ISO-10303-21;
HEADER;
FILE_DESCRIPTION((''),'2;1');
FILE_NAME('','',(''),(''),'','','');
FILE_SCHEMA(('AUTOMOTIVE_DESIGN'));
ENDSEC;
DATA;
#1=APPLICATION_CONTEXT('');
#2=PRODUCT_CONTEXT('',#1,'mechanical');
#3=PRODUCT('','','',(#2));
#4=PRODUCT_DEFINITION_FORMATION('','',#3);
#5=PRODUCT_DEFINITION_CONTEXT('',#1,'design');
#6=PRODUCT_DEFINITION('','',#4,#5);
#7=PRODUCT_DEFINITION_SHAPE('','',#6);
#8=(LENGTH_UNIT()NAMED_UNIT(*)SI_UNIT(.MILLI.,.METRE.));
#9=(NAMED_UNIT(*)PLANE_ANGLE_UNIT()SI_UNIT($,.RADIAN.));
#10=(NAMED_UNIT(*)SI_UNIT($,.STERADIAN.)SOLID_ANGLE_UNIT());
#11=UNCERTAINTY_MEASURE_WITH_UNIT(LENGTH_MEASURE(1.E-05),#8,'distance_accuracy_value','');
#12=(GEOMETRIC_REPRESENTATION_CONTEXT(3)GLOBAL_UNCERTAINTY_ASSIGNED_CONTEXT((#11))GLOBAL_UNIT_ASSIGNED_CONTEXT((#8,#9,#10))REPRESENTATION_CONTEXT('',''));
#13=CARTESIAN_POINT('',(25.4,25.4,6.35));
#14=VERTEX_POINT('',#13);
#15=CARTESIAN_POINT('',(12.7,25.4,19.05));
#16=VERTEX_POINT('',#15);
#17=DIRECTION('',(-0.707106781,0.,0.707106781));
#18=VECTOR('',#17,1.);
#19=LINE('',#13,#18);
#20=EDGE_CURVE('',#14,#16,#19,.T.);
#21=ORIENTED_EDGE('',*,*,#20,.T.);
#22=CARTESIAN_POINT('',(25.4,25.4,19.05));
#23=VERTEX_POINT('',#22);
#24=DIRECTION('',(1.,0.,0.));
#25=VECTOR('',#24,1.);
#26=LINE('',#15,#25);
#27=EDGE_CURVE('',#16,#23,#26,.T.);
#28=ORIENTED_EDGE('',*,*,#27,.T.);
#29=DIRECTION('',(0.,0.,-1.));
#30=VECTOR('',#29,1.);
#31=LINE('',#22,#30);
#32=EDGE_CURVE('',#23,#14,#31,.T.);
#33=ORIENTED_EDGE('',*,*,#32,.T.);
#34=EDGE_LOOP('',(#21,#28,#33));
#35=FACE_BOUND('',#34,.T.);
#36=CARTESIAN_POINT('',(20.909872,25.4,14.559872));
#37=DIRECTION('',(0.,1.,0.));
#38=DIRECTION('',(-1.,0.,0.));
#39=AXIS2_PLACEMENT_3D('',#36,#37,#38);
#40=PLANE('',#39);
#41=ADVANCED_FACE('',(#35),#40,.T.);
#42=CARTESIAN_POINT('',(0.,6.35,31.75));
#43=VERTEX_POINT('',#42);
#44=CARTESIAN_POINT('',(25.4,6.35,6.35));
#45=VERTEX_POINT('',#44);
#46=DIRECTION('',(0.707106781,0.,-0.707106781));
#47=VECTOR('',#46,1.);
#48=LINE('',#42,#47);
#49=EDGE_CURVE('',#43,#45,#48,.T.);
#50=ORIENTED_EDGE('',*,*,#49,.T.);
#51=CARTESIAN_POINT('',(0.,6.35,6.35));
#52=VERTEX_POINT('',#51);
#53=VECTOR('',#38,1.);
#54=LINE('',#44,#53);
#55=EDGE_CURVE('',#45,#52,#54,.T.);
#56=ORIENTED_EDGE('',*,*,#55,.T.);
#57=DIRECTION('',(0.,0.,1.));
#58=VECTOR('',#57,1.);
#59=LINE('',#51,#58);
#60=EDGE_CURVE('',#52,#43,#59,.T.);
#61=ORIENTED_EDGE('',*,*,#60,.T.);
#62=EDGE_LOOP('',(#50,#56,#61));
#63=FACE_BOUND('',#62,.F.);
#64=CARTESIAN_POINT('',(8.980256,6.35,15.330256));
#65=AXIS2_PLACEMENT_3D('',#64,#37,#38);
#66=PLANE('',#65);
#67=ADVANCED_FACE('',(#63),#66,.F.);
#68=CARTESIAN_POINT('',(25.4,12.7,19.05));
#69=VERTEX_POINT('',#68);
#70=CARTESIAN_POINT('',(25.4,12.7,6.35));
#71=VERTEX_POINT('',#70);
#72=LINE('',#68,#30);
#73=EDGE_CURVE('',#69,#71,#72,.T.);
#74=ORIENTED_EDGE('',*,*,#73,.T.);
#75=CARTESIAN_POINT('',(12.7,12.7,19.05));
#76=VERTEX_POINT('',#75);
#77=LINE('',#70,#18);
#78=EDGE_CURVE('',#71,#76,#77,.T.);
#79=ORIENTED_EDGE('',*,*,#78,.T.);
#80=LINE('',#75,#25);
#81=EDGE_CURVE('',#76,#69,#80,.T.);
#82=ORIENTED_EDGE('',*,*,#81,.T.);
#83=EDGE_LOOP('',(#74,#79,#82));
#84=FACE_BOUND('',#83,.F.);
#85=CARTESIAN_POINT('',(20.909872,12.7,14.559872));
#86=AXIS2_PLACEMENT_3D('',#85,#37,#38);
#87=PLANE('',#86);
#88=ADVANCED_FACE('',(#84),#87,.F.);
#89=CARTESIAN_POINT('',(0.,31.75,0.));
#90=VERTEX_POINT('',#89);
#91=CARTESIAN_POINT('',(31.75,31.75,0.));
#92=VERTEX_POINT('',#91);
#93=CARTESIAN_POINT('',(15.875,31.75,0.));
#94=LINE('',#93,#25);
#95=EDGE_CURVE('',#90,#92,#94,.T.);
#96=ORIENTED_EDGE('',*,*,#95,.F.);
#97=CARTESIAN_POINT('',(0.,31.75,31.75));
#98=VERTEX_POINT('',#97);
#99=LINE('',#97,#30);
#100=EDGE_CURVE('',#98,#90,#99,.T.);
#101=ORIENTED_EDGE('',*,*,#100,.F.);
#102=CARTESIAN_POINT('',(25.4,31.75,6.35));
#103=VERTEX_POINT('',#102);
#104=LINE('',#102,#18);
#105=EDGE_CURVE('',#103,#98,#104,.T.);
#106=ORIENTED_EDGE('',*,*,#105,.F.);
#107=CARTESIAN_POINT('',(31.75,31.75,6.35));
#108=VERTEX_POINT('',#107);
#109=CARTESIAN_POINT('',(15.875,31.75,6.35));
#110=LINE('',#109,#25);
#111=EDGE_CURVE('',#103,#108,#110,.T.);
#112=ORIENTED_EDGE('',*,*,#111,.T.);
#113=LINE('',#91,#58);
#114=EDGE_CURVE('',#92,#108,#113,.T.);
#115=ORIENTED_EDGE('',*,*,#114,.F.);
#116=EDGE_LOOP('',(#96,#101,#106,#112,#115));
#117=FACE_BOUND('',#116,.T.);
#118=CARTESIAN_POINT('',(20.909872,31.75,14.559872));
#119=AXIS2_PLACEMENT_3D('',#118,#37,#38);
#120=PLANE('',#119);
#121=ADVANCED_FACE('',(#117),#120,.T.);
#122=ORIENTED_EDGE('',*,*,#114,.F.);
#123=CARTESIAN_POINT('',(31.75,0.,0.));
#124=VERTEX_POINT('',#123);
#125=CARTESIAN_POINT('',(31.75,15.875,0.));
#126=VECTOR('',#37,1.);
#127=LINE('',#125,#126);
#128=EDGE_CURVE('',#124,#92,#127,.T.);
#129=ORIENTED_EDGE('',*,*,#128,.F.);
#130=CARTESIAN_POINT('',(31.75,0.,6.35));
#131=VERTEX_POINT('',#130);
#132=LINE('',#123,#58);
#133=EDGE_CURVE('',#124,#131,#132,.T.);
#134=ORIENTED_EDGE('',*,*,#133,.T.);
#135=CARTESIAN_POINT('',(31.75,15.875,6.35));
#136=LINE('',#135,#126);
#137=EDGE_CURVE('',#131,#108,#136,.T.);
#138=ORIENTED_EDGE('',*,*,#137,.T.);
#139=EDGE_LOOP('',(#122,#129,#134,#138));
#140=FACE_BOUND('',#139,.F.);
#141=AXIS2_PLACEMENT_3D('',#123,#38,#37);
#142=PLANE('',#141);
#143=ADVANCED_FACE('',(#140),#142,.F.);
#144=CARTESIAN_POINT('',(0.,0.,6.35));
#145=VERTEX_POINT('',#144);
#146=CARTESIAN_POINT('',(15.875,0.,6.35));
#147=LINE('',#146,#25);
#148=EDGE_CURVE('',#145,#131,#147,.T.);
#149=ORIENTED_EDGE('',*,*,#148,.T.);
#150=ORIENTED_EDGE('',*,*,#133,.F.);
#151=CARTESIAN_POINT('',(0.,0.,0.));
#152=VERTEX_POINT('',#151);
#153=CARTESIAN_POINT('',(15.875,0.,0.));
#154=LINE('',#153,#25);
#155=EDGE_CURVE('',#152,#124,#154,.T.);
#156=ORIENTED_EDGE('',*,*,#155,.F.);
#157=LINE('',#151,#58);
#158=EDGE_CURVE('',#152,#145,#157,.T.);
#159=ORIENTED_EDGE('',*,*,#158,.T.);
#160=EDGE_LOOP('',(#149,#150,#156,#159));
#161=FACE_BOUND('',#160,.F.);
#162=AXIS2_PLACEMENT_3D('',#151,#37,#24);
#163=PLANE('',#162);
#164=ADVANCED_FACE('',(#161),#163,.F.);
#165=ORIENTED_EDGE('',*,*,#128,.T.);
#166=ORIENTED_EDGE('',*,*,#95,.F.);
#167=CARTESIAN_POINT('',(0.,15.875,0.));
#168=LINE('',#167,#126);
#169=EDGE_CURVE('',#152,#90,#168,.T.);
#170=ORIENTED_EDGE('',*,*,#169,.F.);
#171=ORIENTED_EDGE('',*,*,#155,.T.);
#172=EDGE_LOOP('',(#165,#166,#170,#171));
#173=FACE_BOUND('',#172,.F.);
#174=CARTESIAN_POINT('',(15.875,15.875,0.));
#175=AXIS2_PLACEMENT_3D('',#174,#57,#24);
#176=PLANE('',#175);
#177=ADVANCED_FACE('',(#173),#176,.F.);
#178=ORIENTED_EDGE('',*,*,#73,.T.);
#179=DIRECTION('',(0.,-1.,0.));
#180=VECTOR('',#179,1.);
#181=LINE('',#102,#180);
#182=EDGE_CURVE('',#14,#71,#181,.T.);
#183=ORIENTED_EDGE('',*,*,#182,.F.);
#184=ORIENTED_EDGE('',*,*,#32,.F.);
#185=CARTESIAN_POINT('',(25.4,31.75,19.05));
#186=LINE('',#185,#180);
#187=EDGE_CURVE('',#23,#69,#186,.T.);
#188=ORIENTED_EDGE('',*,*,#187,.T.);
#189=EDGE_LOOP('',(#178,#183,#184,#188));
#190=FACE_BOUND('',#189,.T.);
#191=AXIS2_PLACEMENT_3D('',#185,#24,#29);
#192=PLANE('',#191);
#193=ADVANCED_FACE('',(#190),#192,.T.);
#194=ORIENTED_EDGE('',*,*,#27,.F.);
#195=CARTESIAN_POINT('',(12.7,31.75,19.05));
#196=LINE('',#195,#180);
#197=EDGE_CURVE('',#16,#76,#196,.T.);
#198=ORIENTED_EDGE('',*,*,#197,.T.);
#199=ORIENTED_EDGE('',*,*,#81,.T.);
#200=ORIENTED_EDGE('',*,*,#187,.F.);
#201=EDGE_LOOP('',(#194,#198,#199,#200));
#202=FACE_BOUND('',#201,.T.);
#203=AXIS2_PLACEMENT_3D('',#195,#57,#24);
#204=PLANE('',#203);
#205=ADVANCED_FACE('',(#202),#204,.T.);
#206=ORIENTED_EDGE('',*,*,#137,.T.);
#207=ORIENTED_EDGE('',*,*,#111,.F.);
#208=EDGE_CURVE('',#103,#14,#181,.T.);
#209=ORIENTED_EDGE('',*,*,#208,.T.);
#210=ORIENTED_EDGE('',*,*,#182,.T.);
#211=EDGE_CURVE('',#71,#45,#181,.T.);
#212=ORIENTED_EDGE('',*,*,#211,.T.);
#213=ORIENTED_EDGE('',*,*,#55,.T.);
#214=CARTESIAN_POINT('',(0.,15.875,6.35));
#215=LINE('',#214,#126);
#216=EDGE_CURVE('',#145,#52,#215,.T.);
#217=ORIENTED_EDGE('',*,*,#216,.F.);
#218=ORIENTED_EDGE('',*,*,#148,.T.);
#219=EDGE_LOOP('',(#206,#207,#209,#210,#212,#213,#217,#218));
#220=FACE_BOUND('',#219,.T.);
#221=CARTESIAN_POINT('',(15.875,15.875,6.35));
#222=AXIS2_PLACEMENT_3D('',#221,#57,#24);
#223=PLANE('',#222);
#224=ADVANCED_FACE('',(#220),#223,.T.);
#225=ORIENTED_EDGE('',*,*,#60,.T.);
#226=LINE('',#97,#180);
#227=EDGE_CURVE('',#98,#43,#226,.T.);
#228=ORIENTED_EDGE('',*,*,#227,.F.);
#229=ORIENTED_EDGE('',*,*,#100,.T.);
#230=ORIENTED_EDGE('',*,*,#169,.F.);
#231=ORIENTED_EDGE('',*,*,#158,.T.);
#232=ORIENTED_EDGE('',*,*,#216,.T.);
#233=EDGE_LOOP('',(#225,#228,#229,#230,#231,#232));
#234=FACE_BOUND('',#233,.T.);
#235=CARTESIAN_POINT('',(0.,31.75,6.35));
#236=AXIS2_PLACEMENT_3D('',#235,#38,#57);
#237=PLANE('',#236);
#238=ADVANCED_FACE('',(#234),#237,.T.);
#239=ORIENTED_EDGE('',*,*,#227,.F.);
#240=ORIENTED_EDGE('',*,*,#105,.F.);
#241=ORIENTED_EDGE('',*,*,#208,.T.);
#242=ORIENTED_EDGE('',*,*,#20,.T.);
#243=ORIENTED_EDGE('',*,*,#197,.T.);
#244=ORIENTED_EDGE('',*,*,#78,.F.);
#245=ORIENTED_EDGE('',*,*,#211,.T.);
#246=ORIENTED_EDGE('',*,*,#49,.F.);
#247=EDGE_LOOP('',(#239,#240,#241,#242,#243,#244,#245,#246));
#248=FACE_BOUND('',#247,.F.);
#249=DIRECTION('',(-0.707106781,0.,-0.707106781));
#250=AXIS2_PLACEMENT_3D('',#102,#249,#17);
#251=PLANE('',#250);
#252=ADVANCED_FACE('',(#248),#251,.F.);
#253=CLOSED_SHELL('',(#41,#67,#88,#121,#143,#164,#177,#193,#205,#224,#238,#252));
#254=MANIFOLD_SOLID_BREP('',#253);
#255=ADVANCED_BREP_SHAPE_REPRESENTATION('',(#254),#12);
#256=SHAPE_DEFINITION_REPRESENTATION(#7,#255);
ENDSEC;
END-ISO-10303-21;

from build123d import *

# Parameters (mm, degrees)
F0_W     = 31.75
F0_H     = 31.75
F1_DEPTH = 6.35
F3_DEPTH = 25.4
F5_DEPTH = 19.05
F7_DEPTH = 6.35


with BuildPart() as f1:
    # F0 (on Top) → F1 (new body)
    with BuildSketch(Plane.XY):
        with Locations((15.875, 15.875)):
            Rectangle(F0_W, F0_H)
    extrude(amount=F1_DEPTH)

    # F2 (on face) → F3 (join)
    with BuildSketch(Plane(origin=(0, 31.75, 0), x_dir=(-1, 0, 0), z_dir=(0, 1, 0))):
        Polygon((-25.4, 6.35), (0, 6.35), (0, 31.75), align=None)
    extrude(amount=-F3_DEPTH)

    # F4 (on face) → F5 (join)
    with BuildSketch(Plane(origin=(0, 31.75, 0), x_dir=(-1, 0, 0), z_dir=(0, 1, 0))):
        Polygon((-25.4, 19.05), (-25.4, 6.35), (-12.7, 19.05), align=None)
    extrude(amount=-F5_DEPTH)

    # F6 (on face) → F7 (cut)
    with BuildSketch(Plane(origin=(0, 31.75, 0), x_dir=(-1, 0, 0), z_dir=(0, 1, 0))):
        Polygon((-25.4, 19.05), (-25.4, 6.35), (-12.7, 19.05), align=None)
    extrude(amount=-F7_DEPTH, mode=Mode.SUBTRACT)


solid = f1.part
